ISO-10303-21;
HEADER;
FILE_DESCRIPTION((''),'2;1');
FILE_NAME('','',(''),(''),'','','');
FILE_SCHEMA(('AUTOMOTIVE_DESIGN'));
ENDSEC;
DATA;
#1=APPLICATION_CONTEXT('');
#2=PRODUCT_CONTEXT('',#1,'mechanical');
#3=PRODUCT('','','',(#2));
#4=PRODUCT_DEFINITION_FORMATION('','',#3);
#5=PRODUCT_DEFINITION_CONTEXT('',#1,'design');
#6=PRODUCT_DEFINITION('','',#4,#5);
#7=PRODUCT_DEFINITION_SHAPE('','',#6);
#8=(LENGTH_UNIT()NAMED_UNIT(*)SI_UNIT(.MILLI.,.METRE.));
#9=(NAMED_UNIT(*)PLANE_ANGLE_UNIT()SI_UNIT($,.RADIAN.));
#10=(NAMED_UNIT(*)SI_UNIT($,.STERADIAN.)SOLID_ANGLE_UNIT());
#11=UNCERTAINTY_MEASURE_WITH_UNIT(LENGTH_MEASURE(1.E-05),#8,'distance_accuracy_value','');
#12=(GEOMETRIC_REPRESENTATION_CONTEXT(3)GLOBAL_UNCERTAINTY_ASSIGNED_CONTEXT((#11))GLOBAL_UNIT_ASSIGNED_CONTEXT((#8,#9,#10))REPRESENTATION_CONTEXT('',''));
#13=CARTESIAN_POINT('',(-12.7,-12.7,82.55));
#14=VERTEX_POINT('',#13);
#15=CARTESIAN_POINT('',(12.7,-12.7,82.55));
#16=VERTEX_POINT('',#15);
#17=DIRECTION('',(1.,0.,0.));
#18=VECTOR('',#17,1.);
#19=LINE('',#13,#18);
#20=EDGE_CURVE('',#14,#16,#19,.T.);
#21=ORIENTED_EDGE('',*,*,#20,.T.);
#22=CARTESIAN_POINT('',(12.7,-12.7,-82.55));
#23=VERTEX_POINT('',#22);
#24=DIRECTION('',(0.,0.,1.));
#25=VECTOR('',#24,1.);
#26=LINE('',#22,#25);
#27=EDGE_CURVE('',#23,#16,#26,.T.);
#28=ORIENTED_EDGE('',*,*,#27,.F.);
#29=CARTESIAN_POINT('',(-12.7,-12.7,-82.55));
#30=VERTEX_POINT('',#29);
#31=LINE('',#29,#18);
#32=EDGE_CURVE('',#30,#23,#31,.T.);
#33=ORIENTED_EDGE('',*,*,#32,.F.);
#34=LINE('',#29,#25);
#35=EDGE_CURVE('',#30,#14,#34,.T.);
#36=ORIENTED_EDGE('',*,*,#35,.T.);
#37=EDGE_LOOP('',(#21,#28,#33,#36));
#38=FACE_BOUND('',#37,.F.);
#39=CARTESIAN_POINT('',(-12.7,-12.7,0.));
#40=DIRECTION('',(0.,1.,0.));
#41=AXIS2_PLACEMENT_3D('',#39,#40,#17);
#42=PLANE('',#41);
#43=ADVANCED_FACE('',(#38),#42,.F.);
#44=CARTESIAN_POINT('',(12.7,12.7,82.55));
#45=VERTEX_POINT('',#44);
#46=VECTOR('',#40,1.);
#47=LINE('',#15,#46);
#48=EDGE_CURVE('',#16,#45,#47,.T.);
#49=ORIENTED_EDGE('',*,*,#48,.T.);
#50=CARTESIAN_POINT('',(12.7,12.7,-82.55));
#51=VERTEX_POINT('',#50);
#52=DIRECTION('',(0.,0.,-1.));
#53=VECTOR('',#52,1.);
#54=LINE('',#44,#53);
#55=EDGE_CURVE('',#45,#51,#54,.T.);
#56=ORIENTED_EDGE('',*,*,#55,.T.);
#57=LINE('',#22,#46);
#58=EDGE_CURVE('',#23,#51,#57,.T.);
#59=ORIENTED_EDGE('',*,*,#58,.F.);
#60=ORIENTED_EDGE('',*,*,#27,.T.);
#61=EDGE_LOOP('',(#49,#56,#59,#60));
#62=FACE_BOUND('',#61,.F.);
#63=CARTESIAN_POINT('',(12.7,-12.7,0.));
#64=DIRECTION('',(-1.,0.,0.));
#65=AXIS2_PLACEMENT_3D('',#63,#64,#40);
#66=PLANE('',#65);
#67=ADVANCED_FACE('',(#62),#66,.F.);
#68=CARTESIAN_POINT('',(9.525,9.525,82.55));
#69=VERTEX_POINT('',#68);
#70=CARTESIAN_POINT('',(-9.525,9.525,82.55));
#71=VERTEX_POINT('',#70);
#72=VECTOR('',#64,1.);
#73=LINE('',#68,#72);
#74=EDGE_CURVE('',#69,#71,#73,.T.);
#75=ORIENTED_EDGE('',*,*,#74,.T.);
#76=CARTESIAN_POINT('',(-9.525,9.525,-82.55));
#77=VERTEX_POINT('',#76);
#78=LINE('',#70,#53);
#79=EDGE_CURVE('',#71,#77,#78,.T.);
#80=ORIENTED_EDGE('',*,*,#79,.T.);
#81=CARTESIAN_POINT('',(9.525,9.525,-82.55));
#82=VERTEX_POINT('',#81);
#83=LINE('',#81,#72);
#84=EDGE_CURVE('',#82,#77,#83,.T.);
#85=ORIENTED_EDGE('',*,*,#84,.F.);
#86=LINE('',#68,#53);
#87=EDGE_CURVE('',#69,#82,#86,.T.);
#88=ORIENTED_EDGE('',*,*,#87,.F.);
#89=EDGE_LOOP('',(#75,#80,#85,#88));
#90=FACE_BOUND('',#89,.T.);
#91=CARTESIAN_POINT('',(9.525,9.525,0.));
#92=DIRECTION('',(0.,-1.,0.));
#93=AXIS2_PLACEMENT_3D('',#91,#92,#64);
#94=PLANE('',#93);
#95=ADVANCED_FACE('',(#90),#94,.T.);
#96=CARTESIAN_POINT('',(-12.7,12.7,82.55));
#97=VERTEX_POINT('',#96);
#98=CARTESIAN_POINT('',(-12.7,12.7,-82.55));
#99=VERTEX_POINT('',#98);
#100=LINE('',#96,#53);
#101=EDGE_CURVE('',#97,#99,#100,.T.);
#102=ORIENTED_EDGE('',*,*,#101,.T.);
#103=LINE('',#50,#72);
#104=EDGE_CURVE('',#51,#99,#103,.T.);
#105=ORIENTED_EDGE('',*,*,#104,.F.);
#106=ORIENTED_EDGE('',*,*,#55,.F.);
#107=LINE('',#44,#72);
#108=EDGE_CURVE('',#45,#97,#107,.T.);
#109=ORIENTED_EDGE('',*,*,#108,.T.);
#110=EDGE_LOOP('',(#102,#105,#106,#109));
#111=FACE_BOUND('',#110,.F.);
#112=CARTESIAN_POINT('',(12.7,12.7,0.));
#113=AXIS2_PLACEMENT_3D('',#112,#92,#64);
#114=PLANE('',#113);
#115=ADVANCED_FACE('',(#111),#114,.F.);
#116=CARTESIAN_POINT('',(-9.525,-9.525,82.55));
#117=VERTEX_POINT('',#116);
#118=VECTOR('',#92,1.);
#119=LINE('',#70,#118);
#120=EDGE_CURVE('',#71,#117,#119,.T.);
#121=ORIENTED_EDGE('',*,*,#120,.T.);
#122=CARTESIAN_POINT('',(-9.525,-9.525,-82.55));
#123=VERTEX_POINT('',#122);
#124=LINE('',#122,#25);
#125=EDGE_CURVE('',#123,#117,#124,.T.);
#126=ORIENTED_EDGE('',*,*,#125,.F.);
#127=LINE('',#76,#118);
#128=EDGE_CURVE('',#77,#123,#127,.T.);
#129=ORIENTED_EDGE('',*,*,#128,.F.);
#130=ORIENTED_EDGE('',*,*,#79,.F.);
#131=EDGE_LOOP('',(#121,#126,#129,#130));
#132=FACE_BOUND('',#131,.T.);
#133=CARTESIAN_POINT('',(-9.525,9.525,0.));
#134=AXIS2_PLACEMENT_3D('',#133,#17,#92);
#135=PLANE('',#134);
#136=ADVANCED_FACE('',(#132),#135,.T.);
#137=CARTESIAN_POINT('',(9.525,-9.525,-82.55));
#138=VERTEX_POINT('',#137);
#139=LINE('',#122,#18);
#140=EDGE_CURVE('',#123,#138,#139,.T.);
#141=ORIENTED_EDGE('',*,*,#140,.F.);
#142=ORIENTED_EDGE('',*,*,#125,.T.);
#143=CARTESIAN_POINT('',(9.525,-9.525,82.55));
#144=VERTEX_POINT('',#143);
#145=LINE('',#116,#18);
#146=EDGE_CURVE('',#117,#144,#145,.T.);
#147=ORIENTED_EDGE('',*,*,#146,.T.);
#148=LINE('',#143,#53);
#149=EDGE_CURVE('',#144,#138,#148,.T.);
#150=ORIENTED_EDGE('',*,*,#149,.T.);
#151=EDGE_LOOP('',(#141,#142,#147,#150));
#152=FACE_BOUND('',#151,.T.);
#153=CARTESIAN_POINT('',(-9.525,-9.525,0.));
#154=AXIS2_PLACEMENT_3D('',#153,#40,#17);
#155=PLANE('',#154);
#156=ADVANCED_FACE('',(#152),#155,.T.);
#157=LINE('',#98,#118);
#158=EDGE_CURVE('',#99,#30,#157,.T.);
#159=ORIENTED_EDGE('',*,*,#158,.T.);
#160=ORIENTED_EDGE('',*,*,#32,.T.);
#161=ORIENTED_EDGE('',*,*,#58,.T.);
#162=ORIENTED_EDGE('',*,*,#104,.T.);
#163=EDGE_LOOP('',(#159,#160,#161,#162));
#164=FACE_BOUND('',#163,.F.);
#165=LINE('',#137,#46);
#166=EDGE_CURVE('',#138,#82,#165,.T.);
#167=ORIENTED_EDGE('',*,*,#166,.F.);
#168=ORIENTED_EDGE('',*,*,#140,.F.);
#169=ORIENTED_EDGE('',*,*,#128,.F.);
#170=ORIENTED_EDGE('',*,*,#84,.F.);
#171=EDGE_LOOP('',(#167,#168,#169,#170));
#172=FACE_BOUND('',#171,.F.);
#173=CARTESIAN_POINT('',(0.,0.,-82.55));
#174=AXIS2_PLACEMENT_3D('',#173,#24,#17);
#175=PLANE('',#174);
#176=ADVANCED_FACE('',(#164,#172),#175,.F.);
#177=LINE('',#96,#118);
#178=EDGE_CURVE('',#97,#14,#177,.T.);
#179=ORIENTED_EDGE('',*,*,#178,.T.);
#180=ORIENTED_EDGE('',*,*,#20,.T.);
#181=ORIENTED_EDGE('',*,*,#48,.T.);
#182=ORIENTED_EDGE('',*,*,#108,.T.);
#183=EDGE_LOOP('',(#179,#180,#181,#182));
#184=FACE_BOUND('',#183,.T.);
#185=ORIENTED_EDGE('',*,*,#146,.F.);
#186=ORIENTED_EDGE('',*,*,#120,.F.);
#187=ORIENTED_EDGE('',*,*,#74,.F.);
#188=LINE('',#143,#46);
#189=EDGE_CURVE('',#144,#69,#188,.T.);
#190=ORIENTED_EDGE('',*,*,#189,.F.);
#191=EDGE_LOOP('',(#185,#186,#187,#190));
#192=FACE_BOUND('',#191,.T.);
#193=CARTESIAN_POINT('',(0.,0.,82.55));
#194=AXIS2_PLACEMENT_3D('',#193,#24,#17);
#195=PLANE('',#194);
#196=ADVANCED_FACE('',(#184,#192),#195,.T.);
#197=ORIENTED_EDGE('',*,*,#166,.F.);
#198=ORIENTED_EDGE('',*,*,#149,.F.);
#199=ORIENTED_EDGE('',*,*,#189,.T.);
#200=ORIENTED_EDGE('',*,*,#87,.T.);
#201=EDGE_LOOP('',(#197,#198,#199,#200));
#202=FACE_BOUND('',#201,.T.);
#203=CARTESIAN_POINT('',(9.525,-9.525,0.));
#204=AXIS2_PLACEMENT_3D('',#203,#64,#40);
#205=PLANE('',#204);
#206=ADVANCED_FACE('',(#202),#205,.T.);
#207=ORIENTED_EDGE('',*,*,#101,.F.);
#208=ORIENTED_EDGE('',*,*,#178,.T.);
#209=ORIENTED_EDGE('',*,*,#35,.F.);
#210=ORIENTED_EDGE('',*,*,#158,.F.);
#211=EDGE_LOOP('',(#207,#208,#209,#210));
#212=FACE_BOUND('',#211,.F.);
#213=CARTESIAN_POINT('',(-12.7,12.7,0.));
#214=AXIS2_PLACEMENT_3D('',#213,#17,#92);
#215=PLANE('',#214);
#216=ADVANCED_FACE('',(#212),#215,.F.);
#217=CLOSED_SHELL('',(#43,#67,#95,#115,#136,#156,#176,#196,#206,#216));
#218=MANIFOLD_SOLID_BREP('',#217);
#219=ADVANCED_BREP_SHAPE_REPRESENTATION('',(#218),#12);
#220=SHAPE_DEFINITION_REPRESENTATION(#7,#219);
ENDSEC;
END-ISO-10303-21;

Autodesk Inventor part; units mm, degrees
ref_plane "YZ Plane" through (0, 0, 0) normal (1, 0, 0) x (0, 1, 0)
ref_plane "XZ Plane" through (0, 0, 0) normal (0, 1, 0) x (-1, 0, 0)
ref_plane "XY Plane" through (0, 0, 0) normal (0, 0, 1) x (1, 0, 0)
sketch "Sketch1" plane through (0, 0, 0) normal (0, 0, 1) x (1, 0, 0)
  line L0 (-12.7, -12.7) -> (12.7, -12.7)
  line L1 (12.7, -12.7) -> (12.7, 12.7)
  line L2 (12.7, 12.7) -> (-12.7, 12.7)
  line L3 (-12.7, 12.7) -> (-12.7, -12.7)
  line L4 (-12.7, -12.7) -> (12.7, 12.7) construction
  line L5 (12.7, -12.7) -> (-12.7, 12.7) construction
  line L6 (-9.525, -9.525) -> (9.525, -9.525)
  line L7 (9.525, -9.525) -> (9.525, 9.525)
  line L8 (9.525, 9.525) -> (-9.525, 9.525)
  line L9 (-9.525, 9.525) -> (-9.525, -9.525)
  line L10 (-9.525, -9.525) -> (9.525, 9.525) construction
  line L11 (9.525, -9.525) -> (-9.525, 9.525) construction
  point P0 (0, 0)
  dimension "d0" = 25.4
  dimension "d1" = 25.4
  dimension "d2" = 3.175
extrude "Extrusion1" add sketch "Sketch1" along normal mid plane 165.1
properties part number "Aluminum1x1x6_5-Base"
